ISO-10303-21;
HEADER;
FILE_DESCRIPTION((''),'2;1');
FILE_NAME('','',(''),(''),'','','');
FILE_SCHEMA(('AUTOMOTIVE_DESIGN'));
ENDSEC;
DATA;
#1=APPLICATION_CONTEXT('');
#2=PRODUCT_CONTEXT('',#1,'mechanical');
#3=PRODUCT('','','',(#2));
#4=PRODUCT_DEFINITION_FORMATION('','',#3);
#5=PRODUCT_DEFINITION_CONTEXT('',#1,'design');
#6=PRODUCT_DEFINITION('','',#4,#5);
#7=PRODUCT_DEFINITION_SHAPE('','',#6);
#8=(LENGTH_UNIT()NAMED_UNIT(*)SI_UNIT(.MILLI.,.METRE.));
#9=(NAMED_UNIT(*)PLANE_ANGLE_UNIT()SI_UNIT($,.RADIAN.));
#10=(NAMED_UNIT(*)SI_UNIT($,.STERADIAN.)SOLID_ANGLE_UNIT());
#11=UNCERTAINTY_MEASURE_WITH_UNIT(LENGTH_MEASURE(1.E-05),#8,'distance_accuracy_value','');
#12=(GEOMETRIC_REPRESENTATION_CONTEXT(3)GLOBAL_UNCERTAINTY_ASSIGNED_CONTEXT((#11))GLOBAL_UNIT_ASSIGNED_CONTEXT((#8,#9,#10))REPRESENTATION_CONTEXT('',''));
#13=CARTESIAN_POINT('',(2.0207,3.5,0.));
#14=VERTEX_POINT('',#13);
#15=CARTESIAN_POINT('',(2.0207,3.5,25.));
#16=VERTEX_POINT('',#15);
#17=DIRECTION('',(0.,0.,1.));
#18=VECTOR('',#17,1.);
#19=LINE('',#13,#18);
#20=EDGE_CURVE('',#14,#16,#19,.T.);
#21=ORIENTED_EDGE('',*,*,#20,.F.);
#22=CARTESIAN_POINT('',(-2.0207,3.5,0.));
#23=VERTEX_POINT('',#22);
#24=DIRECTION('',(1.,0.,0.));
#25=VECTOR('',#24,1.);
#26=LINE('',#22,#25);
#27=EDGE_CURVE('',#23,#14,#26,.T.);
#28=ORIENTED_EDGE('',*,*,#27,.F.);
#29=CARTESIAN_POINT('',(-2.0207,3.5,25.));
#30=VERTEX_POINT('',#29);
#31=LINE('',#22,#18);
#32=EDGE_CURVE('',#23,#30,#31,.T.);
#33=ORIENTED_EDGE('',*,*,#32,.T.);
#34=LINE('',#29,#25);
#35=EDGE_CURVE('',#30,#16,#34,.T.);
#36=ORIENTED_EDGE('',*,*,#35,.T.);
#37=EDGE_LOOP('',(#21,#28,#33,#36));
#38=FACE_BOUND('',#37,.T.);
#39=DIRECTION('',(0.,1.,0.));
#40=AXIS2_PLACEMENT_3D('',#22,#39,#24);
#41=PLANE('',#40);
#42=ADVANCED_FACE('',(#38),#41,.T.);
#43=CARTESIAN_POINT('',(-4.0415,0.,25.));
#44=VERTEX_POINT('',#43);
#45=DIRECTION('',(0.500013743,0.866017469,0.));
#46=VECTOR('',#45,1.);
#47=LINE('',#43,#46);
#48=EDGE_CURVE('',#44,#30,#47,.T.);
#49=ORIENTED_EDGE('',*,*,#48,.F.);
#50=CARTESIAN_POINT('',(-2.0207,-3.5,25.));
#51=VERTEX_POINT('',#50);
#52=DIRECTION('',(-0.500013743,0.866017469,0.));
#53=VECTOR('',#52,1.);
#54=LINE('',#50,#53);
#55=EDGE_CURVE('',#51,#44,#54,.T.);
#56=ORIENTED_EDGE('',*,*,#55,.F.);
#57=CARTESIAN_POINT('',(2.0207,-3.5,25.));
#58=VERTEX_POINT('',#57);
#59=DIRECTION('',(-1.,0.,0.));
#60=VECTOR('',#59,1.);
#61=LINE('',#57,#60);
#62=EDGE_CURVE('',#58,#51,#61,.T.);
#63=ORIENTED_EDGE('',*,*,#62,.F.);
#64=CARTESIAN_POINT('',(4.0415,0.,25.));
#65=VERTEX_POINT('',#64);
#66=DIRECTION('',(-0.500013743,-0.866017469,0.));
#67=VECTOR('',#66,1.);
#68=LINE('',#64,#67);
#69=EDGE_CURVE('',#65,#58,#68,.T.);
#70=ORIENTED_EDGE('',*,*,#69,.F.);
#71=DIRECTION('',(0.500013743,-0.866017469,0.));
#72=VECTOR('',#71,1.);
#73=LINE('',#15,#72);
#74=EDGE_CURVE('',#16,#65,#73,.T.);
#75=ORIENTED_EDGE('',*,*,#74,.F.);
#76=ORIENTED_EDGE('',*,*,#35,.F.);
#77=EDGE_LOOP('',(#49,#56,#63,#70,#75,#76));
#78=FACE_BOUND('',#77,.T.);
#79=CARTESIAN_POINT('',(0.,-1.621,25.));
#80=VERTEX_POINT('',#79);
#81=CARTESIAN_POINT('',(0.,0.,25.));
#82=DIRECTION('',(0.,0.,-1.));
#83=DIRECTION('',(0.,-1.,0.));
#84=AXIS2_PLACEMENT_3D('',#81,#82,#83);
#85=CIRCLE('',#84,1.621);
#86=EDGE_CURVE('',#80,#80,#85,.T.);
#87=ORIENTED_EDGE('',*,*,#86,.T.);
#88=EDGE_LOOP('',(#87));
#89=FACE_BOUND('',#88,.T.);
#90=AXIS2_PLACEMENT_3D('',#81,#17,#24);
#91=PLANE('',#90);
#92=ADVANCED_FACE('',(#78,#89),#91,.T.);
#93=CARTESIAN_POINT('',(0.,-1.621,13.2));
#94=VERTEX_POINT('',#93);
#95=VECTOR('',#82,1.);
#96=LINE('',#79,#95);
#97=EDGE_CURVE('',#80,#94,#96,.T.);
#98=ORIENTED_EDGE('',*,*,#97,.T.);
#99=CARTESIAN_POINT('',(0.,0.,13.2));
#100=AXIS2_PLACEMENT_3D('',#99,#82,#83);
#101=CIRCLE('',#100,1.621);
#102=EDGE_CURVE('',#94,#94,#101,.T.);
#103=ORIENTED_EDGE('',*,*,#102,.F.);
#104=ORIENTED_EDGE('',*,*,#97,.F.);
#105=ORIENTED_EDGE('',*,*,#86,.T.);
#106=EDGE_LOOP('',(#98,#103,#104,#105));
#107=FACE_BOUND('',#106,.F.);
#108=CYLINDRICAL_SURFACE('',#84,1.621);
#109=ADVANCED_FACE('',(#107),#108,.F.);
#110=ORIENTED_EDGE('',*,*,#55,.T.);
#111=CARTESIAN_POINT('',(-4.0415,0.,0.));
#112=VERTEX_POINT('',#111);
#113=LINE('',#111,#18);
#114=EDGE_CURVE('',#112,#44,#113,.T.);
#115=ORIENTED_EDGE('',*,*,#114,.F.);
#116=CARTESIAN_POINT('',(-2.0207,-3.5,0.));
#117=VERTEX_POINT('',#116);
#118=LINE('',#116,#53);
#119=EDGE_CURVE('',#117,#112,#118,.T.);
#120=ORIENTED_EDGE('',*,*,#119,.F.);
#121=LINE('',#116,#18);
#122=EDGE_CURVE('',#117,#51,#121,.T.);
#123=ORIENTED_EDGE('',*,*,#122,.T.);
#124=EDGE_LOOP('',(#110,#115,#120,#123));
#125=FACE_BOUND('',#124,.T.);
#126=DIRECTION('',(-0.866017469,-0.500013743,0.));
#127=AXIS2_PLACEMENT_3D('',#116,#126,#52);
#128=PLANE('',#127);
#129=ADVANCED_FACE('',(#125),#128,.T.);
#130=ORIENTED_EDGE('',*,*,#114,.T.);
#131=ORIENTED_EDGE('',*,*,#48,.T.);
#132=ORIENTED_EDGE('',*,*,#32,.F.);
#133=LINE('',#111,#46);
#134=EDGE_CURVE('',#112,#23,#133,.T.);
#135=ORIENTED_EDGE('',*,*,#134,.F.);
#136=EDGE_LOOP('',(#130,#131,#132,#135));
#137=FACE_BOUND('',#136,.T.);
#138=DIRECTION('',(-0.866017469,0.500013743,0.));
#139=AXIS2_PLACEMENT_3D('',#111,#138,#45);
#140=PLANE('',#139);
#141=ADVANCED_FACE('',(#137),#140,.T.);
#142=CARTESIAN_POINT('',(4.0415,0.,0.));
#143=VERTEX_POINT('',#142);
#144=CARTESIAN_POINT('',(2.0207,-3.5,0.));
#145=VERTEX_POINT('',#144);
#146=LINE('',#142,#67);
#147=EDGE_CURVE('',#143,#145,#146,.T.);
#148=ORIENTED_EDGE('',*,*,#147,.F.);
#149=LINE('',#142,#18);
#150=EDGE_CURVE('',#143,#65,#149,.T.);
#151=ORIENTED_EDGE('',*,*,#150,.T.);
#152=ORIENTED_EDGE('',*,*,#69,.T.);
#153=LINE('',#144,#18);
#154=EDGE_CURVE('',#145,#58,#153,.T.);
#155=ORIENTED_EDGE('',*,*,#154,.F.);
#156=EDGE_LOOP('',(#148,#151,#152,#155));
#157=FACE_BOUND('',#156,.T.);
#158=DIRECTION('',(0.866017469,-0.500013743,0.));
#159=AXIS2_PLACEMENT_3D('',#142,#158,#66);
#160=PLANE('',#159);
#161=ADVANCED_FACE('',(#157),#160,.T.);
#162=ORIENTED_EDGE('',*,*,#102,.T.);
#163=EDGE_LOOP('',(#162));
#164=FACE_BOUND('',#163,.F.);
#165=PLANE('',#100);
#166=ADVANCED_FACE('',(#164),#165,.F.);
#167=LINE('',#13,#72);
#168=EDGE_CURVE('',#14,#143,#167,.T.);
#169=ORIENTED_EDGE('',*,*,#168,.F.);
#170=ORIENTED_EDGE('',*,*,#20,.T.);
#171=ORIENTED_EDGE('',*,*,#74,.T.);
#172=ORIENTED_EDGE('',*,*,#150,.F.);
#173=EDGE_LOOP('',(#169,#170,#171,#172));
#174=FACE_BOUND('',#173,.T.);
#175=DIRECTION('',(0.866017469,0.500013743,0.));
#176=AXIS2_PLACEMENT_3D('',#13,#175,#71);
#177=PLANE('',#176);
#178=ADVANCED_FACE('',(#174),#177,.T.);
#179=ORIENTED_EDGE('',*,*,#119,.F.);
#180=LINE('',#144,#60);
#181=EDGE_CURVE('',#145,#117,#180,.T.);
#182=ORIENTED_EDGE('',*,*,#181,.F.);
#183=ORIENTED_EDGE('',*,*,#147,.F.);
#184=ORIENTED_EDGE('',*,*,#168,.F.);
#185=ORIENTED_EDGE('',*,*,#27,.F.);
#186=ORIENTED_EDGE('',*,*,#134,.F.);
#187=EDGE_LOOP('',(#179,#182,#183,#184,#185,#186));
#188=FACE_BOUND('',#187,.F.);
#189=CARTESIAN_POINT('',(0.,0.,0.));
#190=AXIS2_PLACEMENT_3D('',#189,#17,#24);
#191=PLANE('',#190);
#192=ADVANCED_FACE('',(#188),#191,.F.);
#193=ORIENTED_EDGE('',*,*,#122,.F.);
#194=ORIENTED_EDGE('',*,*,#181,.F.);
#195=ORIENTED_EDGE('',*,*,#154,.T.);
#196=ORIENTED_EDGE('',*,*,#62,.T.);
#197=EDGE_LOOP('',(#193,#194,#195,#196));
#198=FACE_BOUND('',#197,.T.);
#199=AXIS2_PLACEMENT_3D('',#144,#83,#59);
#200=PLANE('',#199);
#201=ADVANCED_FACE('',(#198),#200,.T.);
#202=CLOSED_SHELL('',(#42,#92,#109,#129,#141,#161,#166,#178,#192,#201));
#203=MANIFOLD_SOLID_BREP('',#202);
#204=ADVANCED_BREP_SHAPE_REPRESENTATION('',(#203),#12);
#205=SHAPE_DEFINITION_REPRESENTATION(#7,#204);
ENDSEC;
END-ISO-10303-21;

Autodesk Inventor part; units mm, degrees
ref_plane "YZ Plane" through (0, 0, 0) normal (1, 0, 0) x (0, 1, 0)
ref_plane "XZ Plane" through (0, 0, 0) normal (0, 1, 0) x (-1, 0, 0)
ref_plane "XY Plane" through (0, 0, 0) normal (0, 0, 1) x (1, 0, 0)
sketch "Sketch1" plane through (0, 0, 0) normal (0, 0, 1) x (1, 0, 0)
  line L0 (4.0415, 0) -> (2.0207, -3.5)
  line L1 (2.0207, -3.5) -> (-2.0207, -3.5)
  line L2 (-2.0207, -3.5) -> (-4.0415, 0)
  line L3 (-4.0415, 0) -> (-2.0207, 3.5)
  line L4 (-2.0207, 3.5) -> (2.0207, 3.5)
  line L5 (2.0207, 3.5) -> (4.0415, 0)
  point P0 (0, 0)
  point P1 (0, 0)
  dimension "d0" = 7
extrude "Extrusion1" add sketch "Sketch1" along normal blind 25
sketch "Sketch2" plane through (0, 0, 25) normal (0, 0, 1) x (1, 0, 0)
  point P0 (0, 0)
  point P1 (0, 0)
hole "Hole1" at (0, 0, 25) direction (0, 0, -1) diameter 3.242 depth 11.8 thread size "M4x0.7" class "6H" standard "ISO Metric profile"
properties part number "magneet stand-offs"
